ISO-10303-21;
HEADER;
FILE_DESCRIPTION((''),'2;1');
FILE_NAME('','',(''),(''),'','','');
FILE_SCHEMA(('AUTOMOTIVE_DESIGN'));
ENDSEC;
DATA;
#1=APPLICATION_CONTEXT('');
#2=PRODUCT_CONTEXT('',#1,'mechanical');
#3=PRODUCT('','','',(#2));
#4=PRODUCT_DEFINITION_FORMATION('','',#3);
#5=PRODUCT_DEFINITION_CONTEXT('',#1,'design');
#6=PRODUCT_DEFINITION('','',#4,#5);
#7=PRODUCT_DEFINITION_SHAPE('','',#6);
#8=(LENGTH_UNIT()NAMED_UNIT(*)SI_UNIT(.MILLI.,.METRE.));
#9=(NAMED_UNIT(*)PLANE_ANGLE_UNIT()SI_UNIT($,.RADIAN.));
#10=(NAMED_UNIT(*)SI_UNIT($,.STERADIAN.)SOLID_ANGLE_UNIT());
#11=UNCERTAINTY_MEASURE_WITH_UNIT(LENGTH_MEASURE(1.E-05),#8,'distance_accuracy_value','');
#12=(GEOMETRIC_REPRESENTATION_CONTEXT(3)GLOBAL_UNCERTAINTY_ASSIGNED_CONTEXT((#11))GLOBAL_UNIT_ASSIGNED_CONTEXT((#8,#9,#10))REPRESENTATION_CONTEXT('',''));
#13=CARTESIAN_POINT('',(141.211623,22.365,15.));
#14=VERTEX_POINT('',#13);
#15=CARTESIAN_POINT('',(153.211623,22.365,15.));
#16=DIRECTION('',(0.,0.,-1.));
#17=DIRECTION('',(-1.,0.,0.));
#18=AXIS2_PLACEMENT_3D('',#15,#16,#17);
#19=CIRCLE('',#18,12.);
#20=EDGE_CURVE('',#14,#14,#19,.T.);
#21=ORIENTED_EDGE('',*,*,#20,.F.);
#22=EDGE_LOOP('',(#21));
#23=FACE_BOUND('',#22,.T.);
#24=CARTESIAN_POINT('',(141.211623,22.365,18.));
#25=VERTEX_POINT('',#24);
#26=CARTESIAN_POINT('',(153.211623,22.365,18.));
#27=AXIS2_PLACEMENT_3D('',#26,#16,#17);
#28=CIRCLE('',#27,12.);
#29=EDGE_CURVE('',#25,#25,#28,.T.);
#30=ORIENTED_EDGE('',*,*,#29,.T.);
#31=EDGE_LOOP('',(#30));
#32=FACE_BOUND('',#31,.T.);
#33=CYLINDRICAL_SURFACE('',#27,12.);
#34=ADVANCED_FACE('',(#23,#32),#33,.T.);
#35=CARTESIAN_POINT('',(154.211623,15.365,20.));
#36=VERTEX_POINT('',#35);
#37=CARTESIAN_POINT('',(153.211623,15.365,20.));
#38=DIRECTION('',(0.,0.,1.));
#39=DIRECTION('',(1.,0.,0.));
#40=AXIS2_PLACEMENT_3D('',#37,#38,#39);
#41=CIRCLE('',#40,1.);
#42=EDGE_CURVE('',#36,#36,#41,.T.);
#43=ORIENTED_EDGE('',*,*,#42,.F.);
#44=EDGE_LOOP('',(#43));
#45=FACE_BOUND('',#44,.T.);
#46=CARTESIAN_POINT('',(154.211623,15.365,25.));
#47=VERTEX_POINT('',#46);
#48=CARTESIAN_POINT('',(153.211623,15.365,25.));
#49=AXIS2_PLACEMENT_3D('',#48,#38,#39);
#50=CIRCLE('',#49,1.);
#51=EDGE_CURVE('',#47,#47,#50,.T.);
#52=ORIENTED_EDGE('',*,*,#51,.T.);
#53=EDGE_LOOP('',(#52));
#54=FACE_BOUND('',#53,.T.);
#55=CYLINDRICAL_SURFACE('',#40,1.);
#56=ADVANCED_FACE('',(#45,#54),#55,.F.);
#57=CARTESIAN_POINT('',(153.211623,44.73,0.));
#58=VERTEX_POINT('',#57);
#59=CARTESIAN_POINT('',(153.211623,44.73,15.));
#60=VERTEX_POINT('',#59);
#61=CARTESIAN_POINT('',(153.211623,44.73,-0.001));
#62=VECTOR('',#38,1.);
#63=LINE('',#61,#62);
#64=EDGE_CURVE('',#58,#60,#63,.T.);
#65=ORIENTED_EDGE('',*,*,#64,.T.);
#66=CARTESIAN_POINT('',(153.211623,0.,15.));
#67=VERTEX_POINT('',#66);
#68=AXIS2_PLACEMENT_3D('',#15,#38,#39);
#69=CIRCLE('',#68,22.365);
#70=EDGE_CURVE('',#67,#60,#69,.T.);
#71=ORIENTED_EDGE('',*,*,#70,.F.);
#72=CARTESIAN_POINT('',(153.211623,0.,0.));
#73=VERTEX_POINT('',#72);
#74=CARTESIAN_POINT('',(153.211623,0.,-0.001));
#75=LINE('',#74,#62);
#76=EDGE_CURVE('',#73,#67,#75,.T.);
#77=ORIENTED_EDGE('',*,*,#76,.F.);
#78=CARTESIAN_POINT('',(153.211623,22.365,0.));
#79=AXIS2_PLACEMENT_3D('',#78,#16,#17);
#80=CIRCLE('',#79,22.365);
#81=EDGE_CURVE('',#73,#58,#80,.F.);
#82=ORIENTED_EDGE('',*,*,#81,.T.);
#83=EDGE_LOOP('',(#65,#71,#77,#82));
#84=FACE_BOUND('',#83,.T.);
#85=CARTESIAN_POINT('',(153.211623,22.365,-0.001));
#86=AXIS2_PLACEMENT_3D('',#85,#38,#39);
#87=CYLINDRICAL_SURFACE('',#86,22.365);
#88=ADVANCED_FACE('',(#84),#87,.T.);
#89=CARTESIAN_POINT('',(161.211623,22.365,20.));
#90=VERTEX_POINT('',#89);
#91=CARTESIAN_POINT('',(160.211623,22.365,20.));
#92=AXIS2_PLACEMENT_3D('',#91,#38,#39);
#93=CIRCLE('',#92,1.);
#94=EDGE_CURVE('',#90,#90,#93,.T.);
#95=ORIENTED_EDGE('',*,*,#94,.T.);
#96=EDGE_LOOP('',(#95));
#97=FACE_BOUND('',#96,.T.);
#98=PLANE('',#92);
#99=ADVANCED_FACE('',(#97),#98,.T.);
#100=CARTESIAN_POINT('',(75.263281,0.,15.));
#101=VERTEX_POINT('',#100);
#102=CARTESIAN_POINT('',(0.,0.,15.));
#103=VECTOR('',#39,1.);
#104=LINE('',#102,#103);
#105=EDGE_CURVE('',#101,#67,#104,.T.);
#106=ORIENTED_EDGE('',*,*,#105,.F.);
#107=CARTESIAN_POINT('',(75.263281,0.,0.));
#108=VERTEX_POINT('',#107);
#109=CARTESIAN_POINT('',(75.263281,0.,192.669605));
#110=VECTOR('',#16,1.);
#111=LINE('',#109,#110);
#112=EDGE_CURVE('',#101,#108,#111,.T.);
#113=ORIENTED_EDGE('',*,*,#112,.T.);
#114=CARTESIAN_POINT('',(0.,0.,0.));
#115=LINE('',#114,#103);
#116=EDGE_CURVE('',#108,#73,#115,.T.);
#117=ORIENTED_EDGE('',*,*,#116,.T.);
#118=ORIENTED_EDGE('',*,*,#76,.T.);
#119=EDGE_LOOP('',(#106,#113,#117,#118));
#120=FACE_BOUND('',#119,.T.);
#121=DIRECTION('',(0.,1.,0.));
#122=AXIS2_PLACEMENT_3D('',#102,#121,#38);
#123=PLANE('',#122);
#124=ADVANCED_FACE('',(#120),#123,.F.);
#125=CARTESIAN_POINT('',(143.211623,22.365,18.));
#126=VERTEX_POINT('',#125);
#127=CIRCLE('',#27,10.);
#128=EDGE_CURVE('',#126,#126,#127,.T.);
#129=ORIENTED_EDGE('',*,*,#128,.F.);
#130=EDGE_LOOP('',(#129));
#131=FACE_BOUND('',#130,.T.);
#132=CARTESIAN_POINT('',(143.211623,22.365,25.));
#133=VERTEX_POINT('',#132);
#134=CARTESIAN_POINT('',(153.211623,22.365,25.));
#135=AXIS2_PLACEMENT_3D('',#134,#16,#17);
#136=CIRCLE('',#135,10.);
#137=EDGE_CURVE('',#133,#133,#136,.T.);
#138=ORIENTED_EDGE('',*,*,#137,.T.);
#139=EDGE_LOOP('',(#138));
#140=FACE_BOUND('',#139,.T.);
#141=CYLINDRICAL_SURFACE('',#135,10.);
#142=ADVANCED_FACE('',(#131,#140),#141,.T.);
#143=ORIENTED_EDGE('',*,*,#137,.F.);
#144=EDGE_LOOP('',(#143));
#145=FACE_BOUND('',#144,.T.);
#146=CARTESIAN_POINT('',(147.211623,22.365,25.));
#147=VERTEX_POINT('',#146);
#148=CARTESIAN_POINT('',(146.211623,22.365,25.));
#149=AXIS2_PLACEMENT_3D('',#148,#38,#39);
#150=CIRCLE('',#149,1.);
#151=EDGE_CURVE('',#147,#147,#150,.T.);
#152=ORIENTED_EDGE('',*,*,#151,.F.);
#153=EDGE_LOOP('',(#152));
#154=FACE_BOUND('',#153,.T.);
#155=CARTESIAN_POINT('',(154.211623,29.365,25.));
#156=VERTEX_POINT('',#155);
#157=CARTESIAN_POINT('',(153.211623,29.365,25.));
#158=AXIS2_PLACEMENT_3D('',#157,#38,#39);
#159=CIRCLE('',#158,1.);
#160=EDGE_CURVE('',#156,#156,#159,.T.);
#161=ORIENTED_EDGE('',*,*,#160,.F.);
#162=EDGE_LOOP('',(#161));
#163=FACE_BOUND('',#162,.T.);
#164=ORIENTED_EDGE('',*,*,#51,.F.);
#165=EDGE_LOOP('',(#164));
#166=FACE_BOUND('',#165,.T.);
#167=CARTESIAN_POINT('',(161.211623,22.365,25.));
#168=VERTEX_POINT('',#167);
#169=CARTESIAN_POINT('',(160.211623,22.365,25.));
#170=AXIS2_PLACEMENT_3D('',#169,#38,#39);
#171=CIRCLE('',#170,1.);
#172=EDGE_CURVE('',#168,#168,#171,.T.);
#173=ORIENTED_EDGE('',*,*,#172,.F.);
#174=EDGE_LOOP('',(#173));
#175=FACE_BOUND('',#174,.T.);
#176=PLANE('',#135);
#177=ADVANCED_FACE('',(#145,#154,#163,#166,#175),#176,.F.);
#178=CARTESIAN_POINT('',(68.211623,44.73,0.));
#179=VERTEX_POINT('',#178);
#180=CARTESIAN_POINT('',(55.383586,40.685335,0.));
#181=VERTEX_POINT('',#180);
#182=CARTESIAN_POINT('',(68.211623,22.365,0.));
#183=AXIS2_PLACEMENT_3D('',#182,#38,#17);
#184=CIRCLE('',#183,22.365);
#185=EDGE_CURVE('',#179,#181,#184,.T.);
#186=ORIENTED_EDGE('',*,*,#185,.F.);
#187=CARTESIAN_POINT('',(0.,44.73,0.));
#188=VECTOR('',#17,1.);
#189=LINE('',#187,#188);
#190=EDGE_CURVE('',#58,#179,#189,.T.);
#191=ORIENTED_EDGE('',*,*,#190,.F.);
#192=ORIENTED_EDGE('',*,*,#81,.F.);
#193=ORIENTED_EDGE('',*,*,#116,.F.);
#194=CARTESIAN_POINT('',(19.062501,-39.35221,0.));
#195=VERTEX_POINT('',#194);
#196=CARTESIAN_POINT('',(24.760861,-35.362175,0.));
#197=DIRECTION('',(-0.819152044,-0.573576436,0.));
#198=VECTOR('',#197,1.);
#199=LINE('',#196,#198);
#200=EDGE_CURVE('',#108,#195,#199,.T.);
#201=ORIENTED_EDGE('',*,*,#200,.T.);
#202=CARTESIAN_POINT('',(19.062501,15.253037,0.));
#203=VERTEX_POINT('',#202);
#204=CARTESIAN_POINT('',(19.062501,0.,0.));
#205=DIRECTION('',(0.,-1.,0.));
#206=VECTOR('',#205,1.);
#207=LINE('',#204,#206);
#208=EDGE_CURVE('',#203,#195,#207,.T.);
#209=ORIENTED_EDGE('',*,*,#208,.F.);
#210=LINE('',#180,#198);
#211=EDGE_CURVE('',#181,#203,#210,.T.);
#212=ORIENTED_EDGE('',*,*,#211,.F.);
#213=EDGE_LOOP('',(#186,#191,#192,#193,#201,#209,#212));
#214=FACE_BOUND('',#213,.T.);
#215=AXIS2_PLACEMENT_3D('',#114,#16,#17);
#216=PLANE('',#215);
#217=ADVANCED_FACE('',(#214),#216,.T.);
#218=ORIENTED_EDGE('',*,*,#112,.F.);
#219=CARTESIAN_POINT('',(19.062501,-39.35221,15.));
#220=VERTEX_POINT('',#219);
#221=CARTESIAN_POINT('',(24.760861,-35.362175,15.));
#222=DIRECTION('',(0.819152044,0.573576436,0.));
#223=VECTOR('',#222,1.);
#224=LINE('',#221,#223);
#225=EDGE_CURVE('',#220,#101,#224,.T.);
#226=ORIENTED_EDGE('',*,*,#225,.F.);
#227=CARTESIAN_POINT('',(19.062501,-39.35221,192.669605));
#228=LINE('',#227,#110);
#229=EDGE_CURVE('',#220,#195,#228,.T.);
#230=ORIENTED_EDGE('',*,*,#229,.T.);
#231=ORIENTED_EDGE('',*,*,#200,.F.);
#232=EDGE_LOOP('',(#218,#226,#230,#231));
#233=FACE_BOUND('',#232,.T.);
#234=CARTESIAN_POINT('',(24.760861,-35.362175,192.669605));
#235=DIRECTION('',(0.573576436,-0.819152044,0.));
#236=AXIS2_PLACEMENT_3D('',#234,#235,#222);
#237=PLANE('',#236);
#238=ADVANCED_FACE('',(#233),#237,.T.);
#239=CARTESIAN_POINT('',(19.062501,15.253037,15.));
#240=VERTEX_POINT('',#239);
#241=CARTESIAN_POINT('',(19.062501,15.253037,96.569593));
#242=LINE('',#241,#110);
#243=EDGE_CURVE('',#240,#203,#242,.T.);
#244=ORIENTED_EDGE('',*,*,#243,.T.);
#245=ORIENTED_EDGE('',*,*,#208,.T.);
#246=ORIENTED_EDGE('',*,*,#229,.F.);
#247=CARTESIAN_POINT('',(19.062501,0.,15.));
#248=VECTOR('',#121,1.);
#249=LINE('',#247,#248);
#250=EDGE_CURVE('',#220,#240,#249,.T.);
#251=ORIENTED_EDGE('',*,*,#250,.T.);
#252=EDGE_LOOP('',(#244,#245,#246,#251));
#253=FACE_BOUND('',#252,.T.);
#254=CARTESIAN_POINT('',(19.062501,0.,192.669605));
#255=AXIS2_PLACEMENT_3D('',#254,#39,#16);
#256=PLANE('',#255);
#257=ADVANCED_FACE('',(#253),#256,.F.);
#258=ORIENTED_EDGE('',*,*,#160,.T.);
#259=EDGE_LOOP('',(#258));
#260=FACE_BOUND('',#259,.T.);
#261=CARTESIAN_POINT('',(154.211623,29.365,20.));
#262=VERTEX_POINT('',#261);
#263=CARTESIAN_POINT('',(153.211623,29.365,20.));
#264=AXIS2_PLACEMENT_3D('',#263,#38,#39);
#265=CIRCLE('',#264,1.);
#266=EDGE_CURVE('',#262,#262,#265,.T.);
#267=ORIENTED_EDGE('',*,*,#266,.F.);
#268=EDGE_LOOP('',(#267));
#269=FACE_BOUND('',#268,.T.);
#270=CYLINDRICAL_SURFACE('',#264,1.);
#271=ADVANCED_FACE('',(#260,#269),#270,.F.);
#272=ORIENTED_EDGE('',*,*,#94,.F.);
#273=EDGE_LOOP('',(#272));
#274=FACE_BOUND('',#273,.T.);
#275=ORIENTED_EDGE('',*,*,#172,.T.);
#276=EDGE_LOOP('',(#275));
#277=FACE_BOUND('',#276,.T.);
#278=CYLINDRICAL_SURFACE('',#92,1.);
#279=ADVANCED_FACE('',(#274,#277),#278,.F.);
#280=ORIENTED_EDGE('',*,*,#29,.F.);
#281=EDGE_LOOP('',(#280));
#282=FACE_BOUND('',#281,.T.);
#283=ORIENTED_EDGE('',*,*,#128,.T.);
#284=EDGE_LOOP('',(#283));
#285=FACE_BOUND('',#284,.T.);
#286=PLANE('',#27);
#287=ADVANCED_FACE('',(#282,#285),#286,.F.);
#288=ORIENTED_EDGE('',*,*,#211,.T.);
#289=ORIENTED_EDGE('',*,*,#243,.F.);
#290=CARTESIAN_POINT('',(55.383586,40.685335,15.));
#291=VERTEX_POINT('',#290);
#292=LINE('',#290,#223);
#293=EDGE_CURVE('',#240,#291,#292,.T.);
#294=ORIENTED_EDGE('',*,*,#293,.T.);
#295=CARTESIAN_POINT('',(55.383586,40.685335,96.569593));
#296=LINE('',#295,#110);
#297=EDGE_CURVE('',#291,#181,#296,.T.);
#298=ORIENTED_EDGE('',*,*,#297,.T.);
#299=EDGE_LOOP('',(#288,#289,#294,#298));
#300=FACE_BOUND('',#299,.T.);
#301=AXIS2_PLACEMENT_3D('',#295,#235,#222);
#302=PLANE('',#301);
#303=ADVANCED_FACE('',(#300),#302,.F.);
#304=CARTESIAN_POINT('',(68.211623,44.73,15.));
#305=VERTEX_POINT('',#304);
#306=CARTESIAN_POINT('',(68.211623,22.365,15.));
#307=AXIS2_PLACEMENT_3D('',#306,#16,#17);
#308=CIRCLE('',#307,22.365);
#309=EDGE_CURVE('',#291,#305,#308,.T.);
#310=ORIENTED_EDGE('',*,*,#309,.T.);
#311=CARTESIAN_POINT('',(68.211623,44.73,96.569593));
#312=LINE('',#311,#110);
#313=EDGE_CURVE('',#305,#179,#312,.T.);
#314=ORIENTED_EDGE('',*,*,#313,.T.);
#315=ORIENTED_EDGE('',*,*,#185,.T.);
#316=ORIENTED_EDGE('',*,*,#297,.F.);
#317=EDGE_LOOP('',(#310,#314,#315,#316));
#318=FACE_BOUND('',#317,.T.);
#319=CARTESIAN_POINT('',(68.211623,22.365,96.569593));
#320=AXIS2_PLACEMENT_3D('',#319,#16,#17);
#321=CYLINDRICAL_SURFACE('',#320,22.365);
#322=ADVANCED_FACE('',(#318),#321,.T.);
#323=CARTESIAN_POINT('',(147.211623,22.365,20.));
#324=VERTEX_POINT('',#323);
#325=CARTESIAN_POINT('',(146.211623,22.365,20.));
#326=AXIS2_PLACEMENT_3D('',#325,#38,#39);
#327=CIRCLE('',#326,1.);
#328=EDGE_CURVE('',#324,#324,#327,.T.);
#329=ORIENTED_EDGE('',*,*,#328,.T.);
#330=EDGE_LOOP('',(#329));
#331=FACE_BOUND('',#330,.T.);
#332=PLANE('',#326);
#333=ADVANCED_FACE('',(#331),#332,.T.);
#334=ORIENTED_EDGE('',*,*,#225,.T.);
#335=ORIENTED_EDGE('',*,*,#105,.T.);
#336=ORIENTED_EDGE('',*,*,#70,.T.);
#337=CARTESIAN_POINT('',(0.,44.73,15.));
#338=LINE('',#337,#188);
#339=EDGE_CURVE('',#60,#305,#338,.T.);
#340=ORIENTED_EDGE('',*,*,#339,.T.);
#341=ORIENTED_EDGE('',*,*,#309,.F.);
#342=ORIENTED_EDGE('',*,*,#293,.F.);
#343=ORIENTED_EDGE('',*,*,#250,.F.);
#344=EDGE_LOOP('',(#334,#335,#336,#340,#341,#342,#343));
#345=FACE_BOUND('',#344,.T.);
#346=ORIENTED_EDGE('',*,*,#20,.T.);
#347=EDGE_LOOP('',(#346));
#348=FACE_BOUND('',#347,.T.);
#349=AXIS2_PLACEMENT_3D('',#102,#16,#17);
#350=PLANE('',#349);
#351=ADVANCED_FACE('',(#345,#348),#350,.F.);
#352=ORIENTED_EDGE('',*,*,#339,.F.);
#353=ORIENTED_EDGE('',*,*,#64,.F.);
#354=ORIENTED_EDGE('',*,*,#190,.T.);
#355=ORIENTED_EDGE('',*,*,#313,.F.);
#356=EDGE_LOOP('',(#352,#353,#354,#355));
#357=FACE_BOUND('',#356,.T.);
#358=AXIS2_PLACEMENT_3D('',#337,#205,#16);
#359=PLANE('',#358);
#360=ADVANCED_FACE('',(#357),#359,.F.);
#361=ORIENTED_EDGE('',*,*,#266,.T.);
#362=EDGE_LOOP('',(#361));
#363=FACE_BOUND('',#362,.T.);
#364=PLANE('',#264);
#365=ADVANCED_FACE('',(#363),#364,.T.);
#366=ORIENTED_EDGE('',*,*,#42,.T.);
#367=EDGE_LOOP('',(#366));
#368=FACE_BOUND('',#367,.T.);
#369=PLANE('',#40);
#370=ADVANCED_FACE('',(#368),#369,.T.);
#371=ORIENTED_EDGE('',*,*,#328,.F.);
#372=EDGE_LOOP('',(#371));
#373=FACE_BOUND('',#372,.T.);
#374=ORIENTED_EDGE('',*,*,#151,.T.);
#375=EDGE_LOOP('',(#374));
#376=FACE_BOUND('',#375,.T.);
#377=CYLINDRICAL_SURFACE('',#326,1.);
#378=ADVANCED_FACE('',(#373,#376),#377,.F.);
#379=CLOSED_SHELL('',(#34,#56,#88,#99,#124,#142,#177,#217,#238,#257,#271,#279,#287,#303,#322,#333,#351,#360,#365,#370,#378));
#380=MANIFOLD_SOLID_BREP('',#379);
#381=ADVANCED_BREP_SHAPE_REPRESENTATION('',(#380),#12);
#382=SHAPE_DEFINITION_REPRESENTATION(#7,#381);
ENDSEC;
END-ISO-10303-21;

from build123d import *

# Parameters (mm, degrees)
SKETCH_1_W          = 300
SKETCH_1_H          = 44.73
EXTRUDE_1_DEPTH     = 15
CUT_EXTRUDE_4_REACH = 305.687
EXTRUDE_START       = -15
SKETCH_6_R          = 10
EXTRUDE_2_DEPTH     = 10
SKETCH_7_R          = 1
CUT_EXTRUDE_6_DEPTH = 5
EXTRUDE_5_DEPTH     = 15
CUT_EXTRUDE_7_DEPTH = 15
SKETCH_11_R         = 12
SKETCH_11_R_2       = 10
EXTRUDE_6_DEPTH     = 3


with BuildPart() as part:
    # 草图1 → 凸台-拉伸1 (new body)
    with BuildSketch(Plane.XY):
        with Locations((150, 22.365)):
            Rectangle(SKETCH_1_W, SKETCH_1_H)
    extrude(amount=EXTRUDE_1_DEPTH)

    # 草图4 → 切除-拉伸4 (cut, up to next)
    with BuildSketch(Plane.XY.offset(15), mode=Mode.PRIVATE) as cut_extrude_4_sk1:
        with BuildLine():
            Line((300, 44.73), (153.211623388, 44.73))
            ThreePointArc((153.211623388, 44.73), (175.576623388, 22.365), (153.211623388, 0))
            Line((153.211623388, 0), (300, 0))
            Line((300, 0), (300, 44.73))
        make_face()
    cut_extrude_4_tool1 = extrude(cut_extrude_4_sk1.sketch, amount=-CUT_EXTRUDE_4_REACH, mode=Mode.PRIVATE) & part.part
    add(cut_extrude_4_tool1.solids().sort_by_distance((235.292113, 22.365, 15))[0], mode=Mode.SUBTRACT)

    # 草图6 → 凸台-拉伸2 (add)
    with BuildSketch(Plane(origin=(0, 0, 0), x_dir=(-1, 0, 0), z_dir=(0, 0, -1)).offset(EXTRUDE_START)):
        with Locations((-153.211623388, 22.365)):
            Circle(SKETCH_6_R)
    extrude(amount=-EXTRUDE_2_DEPTH)

    # 草图7 → 切除-拉伸6 (cut)
    with BuildSketch(Plane.XY.offset(25)):
        with Locations((153.211623388, 29.365)):
            Circle(SKETCH_7_R)
        with Locations((160.211623388, -284.058246776)):
            Circle(SKETCH_7_R)
        with Locations((-153.211623388, -291.058246776)):
            Circle(SKETCH_7_R)
        with Locations((-160.211623388, 22.365)):
            Circle(SKETCH_7_R)
        with Locations((160.211623388, 22.365)):
            Circle(SKETCH_7_R)
        with Locations((153.211623388, 15.365)):
            Circle(SKETCH_7_R)
        with Locations((146.211623388, 22.365)):
            Circle(SKETCH_7_R)
    extrude(amount=-CUT_EXTRUDE_6_DEPTH, mode=Mode.SUBTRACT)

    # 草图9 → 凸台-拉伸5 (add)
    with BuildSketch(Plane.XY):
        Polygon((19.062500731, -39.352209859), (75.263280801, 0), (19.062500731, 0), align=None)
    extrude(amount=EXTRUDE_5_DEPTH)

    # 草图10 → 切除-拉伸7 (cut)
    with BuildSketch(Plane(origin=(0, 0, 0), x_dir=(-1, 0, 0), z_dir=(0, 0, -1))):
        with BuildLine():
            Line((-19.062500731, 15.253037497), (-19.062500731, 0))
            Line((-19.062500731, 0), (0, 0))
            Line((0, 0), (0, 44.73))
            Line((0, 44.73), (-68.211623388, 44.73))
            ThreePointArc((-68.211623388, 44.73), (-61.486338182, 43.694879603), (-55.383586389, 40.685335471))
            Line((-55.383586389, 40.685335471), (-19.062500731, 15.253037497))
        make_face()
    extrude(amount=-CUT_EXTRUDE_7_DEPTH, mode=Mode.SUBTRACT)

    # 草图11 → 凸台-拉伸6 (add)
    with BuildSketch(Plane(origin=(0, 0, 0), x_dir=(-1, 0, 0), z_dir=(0, 0, -1)).offset(EXTRUDE_START)):
        with Locations((-153.211623388, 22.365)):
            Circle(SKETCH_11_R)
        with Locations((-153.211623388, 22.365)):
            Circle(SKETCH_11_R_2, mode=Mode.SUBTRACT)
    extrude(amount=-EXTRUDE_6_DEPTH)


solid = part.part
